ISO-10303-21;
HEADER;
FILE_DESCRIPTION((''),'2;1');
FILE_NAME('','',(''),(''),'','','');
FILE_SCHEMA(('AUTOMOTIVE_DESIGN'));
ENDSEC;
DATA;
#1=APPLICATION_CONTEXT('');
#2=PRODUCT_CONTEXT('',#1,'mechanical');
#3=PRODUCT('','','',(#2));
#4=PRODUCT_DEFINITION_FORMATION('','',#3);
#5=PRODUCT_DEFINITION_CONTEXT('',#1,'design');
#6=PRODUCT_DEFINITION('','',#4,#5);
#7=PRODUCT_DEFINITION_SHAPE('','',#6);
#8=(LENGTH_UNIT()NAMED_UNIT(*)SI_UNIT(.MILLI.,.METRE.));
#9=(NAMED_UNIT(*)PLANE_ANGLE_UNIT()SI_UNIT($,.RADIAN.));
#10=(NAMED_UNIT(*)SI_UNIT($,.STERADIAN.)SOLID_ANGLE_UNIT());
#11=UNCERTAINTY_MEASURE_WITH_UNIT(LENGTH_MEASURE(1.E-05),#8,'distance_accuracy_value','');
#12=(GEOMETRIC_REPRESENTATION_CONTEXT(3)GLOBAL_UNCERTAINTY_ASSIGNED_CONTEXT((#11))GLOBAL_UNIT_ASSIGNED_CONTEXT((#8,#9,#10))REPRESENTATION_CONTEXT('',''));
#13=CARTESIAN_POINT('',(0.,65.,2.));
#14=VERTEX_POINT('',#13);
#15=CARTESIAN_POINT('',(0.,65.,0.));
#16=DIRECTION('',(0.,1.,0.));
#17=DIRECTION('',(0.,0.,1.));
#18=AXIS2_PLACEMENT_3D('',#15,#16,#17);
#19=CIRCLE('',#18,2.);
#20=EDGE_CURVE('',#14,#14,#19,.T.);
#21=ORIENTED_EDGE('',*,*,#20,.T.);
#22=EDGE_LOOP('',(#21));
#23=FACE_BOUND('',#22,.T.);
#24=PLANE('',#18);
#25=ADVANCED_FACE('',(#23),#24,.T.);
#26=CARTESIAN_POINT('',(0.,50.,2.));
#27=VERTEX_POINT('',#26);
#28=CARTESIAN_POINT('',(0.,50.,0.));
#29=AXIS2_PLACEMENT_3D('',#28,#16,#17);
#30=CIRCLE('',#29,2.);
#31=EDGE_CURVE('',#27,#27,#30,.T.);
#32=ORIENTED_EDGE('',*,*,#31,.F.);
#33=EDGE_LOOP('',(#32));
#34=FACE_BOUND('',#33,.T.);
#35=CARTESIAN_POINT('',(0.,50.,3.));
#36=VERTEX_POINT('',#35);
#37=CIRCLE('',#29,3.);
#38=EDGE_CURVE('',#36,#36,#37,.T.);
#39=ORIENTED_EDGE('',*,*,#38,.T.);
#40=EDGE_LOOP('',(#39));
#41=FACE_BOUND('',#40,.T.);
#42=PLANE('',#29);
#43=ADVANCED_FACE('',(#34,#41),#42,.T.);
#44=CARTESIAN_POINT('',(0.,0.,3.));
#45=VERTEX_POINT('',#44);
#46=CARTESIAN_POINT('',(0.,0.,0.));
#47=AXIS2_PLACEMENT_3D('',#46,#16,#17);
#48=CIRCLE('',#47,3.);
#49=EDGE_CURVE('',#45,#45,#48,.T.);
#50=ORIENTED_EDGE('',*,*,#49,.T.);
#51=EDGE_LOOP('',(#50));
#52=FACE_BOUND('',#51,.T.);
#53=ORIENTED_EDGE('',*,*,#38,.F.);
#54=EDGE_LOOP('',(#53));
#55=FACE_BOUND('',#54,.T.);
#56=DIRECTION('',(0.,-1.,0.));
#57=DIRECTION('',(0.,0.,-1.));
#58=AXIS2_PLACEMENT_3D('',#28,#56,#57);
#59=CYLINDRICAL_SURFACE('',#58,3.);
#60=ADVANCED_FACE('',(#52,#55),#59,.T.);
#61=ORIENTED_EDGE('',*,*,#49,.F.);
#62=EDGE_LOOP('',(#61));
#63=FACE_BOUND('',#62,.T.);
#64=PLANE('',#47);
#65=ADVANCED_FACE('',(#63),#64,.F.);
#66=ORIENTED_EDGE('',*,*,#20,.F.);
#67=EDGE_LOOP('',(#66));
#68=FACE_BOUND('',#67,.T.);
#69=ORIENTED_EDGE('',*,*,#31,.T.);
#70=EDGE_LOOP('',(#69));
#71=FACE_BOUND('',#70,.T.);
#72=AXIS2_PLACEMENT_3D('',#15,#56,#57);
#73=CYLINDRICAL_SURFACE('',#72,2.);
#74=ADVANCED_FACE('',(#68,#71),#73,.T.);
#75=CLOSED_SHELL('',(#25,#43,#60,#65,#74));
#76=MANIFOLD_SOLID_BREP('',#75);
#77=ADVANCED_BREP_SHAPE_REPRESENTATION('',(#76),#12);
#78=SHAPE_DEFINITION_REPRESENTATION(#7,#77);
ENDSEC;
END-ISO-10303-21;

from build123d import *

# Parameters (mm, degrees)
SKETCH1_R        = 3
STEEL_TUBE_DEPTH = 50
CABLE_STUB_START = 50
SKETCH2_R        = 2
CABLE_STUB_DEPTH = 15


with BuildPart() as part:
    # Sketch1 → Steel_Tube (new body)
    with BuildSketch(Plane(origin=(0, 0, 0), x_dir=(1, 0, 0), z_dir=(0, 1, 0))):
        with Locations(Location((0, 0, 0), (0, 0, 270))):
            Circle(SKETCH1_R)
    extrude(amount=STEEL_TUBE_DEPTH)

    # Sketch2 → Cable_Stub (add)
    with BuildSketch(Plane(origin=(0, 0, 0), x_dir=(1, 0, 0), z_dir=(0, 1, 0)).offset(CABLE_STUB_START)):
        with Locations(Location((0, 0, 0), (0, 0, 270))):
            Circle(SKETCH2_R)
    extrude(amount=CABLE_STUB_DEPTH)


solid = part.part
